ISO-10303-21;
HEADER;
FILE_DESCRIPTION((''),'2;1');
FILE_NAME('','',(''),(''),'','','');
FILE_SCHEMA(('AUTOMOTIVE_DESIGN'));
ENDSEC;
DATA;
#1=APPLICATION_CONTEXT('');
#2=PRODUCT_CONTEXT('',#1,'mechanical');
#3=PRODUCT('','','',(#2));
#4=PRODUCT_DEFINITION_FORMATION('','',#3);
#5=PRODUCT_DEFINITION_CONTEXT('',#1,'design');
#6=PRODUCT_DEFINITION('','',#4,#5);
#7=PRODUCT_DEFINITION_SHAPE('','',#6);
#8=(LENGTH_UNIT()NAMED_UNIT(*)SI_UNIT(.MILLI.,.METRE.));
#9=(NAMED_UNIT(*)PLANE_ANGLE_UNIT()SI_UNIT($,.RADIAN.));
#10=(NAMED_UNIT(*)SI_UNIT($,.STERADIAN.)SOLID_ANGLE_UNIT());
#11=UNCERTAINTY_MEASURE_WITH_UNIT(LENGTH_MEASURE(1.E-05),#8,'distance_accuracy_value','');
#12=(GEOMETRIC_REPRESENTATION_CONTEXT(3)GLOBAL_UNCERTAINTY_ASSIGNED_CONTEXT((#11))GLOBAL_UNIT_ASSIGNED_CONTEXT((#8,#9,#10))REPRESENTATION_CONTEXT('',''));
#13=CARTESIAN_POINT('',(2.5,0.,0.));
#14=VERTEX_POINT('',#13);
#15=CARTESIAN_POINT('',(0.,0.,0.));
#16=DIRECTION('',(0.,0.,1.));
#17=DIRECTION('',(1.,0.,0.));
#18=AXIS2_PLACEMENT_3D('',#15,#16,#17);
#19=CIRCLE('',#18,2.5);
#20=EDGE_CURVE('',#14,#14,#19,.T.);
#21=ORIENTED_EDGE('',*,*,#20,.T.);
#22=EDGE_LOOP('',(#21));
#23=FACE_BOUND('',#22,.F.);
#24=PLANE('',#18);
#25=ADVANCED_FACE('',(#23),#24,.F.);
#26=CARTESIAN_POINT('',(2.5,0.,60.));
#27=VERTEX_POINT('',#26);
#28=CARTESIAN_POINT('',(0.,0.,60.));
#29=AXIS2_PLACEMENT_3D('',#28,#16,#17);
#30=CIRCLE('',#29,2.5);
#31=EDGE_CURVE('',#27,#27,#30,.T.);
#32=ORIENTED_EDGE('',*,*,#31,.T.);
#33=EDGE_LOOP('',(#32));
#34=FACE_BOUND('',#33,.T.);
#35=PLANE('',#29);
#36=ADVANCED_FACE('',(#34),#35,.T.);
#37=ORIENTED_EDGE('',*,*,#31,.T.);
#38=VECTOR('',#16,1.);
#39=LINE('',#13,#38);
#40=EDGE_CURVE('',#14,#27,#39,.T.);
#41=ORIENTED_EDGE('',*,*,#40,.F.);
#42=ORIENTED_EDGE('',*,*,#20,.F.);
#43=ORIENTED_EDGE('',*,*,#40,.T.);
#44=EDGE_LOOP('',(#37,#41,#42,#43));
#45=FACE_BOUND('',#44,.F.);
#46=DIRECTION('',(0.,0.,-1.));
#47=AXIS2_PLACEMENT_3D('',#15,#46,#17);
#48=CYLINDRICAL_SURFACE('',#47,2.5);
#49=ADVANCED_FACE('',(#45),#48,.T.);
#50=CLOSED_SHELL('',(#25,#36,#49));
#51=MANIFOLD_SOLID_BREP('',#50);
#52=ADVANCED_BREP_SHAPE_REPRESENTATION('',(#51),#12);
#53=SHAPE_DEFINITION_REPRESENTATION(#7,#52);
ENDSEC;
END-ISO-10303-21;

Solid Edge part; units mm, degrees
sketch "Sketch1" plane through (0, 0, 0) normal (0, 0, 1) x (1, 0, 0)
  circle A0 centre (0, 0) radius 2.5
extrude "Protrusion1" add sketch "Sketch1" along normal blind 60
properties material "Gold"
